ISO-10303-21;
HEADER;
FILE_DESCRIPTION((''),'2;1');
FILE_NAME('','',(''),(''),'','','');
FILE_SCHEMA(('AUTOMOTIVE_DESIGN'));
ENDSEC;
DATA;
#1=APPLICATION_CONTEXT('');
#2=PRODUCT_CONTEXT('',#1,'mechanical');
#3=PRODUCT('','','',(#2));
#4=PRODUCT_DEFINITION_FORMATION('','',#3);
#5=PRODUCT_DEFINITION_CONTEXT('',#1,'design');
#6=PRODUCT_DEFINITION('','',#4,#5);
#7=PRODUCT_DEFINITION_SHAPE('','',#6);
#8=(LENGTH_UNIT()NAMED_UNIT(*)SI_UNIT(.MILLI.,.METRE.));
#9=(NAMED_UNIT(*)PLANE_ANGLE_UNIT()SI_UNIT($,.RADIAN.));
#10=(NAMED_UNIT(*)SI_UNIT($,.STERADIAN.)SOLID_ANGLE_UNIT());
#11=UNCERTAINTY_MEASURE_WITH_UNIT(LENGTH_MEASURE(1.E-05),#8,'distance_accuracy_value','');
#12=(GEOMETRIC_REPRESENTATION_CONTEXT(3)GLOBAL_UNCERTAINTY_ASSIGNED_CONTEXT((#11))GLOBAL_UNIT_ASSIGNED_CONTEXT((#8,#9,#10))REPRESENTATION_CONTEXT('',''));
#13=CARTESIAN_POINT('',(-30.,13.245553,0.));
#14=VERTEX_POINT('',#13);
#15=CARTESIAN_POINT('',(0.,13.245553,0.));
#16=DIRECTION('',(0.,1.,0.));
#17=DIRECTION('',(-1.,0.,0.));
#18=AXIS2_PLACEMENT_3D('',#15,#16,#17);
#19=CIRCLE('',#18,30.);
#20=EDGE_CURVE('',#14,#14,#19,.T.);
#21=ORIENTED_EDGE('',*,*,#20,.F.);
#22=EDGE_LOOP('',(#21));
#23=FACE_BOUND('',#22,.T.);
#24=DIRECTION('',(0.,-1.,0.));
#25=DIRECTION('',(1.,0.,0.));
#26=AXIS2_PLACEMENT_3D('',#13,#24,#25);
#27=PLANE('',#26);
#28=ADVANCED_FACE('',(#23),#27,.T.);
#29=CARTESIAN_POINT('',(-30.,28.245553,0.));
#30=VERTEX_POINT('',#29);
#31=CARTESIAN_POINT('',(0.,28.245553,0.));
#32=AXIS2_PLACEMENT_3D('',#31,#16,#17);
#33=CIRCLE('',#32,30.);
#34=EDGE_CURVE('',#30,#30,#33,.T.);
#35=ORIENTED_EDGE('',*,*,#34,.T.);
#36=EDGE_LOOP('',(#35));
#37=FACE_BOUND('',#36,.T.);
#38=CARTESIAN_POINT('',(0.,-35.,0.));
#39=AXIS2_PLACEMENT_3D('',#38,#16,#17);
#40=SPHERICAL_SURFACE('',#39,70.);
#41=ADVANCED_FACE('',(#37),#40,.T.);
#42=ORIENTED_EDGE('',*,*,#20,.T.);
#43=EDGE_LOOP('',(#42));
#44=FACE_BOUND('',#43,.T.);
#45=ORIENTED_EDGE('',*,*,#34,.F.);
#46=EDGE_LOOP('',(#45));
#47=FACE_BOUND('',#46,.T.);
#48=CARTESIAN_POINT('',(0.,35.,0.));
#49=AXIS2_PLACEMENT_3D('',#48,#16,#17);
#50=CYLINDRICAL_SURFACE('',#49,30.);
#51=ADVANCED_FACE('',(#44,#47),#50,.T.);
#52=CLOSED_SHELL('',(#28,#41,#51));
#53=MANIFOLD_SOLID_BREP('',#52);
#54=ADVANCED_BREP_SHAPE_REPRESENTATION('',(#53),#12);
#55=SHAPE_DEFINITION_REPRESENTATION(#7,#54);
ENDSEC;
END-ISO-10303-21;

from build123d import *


with BuildPart() as part:
    # Skizze1 → Rotation1 (revolve)
    with BuildSketch(Plane.XY):
        with BuildLine():
            Line((-30, 28.245553203), (-30, 13.245553203))
            Line((-30, 13.245553203), (0, 13.245553203))
            Line((0, 13.245553203), (0, 35))
            ThreePointArc((0, 35), (-15.375488216, 33.290514437), (-30, 28.245553203))
        make_face()
    revolve(axis=Axis((0, 35, 0), (0, -1, 0)))


solid = part.part
